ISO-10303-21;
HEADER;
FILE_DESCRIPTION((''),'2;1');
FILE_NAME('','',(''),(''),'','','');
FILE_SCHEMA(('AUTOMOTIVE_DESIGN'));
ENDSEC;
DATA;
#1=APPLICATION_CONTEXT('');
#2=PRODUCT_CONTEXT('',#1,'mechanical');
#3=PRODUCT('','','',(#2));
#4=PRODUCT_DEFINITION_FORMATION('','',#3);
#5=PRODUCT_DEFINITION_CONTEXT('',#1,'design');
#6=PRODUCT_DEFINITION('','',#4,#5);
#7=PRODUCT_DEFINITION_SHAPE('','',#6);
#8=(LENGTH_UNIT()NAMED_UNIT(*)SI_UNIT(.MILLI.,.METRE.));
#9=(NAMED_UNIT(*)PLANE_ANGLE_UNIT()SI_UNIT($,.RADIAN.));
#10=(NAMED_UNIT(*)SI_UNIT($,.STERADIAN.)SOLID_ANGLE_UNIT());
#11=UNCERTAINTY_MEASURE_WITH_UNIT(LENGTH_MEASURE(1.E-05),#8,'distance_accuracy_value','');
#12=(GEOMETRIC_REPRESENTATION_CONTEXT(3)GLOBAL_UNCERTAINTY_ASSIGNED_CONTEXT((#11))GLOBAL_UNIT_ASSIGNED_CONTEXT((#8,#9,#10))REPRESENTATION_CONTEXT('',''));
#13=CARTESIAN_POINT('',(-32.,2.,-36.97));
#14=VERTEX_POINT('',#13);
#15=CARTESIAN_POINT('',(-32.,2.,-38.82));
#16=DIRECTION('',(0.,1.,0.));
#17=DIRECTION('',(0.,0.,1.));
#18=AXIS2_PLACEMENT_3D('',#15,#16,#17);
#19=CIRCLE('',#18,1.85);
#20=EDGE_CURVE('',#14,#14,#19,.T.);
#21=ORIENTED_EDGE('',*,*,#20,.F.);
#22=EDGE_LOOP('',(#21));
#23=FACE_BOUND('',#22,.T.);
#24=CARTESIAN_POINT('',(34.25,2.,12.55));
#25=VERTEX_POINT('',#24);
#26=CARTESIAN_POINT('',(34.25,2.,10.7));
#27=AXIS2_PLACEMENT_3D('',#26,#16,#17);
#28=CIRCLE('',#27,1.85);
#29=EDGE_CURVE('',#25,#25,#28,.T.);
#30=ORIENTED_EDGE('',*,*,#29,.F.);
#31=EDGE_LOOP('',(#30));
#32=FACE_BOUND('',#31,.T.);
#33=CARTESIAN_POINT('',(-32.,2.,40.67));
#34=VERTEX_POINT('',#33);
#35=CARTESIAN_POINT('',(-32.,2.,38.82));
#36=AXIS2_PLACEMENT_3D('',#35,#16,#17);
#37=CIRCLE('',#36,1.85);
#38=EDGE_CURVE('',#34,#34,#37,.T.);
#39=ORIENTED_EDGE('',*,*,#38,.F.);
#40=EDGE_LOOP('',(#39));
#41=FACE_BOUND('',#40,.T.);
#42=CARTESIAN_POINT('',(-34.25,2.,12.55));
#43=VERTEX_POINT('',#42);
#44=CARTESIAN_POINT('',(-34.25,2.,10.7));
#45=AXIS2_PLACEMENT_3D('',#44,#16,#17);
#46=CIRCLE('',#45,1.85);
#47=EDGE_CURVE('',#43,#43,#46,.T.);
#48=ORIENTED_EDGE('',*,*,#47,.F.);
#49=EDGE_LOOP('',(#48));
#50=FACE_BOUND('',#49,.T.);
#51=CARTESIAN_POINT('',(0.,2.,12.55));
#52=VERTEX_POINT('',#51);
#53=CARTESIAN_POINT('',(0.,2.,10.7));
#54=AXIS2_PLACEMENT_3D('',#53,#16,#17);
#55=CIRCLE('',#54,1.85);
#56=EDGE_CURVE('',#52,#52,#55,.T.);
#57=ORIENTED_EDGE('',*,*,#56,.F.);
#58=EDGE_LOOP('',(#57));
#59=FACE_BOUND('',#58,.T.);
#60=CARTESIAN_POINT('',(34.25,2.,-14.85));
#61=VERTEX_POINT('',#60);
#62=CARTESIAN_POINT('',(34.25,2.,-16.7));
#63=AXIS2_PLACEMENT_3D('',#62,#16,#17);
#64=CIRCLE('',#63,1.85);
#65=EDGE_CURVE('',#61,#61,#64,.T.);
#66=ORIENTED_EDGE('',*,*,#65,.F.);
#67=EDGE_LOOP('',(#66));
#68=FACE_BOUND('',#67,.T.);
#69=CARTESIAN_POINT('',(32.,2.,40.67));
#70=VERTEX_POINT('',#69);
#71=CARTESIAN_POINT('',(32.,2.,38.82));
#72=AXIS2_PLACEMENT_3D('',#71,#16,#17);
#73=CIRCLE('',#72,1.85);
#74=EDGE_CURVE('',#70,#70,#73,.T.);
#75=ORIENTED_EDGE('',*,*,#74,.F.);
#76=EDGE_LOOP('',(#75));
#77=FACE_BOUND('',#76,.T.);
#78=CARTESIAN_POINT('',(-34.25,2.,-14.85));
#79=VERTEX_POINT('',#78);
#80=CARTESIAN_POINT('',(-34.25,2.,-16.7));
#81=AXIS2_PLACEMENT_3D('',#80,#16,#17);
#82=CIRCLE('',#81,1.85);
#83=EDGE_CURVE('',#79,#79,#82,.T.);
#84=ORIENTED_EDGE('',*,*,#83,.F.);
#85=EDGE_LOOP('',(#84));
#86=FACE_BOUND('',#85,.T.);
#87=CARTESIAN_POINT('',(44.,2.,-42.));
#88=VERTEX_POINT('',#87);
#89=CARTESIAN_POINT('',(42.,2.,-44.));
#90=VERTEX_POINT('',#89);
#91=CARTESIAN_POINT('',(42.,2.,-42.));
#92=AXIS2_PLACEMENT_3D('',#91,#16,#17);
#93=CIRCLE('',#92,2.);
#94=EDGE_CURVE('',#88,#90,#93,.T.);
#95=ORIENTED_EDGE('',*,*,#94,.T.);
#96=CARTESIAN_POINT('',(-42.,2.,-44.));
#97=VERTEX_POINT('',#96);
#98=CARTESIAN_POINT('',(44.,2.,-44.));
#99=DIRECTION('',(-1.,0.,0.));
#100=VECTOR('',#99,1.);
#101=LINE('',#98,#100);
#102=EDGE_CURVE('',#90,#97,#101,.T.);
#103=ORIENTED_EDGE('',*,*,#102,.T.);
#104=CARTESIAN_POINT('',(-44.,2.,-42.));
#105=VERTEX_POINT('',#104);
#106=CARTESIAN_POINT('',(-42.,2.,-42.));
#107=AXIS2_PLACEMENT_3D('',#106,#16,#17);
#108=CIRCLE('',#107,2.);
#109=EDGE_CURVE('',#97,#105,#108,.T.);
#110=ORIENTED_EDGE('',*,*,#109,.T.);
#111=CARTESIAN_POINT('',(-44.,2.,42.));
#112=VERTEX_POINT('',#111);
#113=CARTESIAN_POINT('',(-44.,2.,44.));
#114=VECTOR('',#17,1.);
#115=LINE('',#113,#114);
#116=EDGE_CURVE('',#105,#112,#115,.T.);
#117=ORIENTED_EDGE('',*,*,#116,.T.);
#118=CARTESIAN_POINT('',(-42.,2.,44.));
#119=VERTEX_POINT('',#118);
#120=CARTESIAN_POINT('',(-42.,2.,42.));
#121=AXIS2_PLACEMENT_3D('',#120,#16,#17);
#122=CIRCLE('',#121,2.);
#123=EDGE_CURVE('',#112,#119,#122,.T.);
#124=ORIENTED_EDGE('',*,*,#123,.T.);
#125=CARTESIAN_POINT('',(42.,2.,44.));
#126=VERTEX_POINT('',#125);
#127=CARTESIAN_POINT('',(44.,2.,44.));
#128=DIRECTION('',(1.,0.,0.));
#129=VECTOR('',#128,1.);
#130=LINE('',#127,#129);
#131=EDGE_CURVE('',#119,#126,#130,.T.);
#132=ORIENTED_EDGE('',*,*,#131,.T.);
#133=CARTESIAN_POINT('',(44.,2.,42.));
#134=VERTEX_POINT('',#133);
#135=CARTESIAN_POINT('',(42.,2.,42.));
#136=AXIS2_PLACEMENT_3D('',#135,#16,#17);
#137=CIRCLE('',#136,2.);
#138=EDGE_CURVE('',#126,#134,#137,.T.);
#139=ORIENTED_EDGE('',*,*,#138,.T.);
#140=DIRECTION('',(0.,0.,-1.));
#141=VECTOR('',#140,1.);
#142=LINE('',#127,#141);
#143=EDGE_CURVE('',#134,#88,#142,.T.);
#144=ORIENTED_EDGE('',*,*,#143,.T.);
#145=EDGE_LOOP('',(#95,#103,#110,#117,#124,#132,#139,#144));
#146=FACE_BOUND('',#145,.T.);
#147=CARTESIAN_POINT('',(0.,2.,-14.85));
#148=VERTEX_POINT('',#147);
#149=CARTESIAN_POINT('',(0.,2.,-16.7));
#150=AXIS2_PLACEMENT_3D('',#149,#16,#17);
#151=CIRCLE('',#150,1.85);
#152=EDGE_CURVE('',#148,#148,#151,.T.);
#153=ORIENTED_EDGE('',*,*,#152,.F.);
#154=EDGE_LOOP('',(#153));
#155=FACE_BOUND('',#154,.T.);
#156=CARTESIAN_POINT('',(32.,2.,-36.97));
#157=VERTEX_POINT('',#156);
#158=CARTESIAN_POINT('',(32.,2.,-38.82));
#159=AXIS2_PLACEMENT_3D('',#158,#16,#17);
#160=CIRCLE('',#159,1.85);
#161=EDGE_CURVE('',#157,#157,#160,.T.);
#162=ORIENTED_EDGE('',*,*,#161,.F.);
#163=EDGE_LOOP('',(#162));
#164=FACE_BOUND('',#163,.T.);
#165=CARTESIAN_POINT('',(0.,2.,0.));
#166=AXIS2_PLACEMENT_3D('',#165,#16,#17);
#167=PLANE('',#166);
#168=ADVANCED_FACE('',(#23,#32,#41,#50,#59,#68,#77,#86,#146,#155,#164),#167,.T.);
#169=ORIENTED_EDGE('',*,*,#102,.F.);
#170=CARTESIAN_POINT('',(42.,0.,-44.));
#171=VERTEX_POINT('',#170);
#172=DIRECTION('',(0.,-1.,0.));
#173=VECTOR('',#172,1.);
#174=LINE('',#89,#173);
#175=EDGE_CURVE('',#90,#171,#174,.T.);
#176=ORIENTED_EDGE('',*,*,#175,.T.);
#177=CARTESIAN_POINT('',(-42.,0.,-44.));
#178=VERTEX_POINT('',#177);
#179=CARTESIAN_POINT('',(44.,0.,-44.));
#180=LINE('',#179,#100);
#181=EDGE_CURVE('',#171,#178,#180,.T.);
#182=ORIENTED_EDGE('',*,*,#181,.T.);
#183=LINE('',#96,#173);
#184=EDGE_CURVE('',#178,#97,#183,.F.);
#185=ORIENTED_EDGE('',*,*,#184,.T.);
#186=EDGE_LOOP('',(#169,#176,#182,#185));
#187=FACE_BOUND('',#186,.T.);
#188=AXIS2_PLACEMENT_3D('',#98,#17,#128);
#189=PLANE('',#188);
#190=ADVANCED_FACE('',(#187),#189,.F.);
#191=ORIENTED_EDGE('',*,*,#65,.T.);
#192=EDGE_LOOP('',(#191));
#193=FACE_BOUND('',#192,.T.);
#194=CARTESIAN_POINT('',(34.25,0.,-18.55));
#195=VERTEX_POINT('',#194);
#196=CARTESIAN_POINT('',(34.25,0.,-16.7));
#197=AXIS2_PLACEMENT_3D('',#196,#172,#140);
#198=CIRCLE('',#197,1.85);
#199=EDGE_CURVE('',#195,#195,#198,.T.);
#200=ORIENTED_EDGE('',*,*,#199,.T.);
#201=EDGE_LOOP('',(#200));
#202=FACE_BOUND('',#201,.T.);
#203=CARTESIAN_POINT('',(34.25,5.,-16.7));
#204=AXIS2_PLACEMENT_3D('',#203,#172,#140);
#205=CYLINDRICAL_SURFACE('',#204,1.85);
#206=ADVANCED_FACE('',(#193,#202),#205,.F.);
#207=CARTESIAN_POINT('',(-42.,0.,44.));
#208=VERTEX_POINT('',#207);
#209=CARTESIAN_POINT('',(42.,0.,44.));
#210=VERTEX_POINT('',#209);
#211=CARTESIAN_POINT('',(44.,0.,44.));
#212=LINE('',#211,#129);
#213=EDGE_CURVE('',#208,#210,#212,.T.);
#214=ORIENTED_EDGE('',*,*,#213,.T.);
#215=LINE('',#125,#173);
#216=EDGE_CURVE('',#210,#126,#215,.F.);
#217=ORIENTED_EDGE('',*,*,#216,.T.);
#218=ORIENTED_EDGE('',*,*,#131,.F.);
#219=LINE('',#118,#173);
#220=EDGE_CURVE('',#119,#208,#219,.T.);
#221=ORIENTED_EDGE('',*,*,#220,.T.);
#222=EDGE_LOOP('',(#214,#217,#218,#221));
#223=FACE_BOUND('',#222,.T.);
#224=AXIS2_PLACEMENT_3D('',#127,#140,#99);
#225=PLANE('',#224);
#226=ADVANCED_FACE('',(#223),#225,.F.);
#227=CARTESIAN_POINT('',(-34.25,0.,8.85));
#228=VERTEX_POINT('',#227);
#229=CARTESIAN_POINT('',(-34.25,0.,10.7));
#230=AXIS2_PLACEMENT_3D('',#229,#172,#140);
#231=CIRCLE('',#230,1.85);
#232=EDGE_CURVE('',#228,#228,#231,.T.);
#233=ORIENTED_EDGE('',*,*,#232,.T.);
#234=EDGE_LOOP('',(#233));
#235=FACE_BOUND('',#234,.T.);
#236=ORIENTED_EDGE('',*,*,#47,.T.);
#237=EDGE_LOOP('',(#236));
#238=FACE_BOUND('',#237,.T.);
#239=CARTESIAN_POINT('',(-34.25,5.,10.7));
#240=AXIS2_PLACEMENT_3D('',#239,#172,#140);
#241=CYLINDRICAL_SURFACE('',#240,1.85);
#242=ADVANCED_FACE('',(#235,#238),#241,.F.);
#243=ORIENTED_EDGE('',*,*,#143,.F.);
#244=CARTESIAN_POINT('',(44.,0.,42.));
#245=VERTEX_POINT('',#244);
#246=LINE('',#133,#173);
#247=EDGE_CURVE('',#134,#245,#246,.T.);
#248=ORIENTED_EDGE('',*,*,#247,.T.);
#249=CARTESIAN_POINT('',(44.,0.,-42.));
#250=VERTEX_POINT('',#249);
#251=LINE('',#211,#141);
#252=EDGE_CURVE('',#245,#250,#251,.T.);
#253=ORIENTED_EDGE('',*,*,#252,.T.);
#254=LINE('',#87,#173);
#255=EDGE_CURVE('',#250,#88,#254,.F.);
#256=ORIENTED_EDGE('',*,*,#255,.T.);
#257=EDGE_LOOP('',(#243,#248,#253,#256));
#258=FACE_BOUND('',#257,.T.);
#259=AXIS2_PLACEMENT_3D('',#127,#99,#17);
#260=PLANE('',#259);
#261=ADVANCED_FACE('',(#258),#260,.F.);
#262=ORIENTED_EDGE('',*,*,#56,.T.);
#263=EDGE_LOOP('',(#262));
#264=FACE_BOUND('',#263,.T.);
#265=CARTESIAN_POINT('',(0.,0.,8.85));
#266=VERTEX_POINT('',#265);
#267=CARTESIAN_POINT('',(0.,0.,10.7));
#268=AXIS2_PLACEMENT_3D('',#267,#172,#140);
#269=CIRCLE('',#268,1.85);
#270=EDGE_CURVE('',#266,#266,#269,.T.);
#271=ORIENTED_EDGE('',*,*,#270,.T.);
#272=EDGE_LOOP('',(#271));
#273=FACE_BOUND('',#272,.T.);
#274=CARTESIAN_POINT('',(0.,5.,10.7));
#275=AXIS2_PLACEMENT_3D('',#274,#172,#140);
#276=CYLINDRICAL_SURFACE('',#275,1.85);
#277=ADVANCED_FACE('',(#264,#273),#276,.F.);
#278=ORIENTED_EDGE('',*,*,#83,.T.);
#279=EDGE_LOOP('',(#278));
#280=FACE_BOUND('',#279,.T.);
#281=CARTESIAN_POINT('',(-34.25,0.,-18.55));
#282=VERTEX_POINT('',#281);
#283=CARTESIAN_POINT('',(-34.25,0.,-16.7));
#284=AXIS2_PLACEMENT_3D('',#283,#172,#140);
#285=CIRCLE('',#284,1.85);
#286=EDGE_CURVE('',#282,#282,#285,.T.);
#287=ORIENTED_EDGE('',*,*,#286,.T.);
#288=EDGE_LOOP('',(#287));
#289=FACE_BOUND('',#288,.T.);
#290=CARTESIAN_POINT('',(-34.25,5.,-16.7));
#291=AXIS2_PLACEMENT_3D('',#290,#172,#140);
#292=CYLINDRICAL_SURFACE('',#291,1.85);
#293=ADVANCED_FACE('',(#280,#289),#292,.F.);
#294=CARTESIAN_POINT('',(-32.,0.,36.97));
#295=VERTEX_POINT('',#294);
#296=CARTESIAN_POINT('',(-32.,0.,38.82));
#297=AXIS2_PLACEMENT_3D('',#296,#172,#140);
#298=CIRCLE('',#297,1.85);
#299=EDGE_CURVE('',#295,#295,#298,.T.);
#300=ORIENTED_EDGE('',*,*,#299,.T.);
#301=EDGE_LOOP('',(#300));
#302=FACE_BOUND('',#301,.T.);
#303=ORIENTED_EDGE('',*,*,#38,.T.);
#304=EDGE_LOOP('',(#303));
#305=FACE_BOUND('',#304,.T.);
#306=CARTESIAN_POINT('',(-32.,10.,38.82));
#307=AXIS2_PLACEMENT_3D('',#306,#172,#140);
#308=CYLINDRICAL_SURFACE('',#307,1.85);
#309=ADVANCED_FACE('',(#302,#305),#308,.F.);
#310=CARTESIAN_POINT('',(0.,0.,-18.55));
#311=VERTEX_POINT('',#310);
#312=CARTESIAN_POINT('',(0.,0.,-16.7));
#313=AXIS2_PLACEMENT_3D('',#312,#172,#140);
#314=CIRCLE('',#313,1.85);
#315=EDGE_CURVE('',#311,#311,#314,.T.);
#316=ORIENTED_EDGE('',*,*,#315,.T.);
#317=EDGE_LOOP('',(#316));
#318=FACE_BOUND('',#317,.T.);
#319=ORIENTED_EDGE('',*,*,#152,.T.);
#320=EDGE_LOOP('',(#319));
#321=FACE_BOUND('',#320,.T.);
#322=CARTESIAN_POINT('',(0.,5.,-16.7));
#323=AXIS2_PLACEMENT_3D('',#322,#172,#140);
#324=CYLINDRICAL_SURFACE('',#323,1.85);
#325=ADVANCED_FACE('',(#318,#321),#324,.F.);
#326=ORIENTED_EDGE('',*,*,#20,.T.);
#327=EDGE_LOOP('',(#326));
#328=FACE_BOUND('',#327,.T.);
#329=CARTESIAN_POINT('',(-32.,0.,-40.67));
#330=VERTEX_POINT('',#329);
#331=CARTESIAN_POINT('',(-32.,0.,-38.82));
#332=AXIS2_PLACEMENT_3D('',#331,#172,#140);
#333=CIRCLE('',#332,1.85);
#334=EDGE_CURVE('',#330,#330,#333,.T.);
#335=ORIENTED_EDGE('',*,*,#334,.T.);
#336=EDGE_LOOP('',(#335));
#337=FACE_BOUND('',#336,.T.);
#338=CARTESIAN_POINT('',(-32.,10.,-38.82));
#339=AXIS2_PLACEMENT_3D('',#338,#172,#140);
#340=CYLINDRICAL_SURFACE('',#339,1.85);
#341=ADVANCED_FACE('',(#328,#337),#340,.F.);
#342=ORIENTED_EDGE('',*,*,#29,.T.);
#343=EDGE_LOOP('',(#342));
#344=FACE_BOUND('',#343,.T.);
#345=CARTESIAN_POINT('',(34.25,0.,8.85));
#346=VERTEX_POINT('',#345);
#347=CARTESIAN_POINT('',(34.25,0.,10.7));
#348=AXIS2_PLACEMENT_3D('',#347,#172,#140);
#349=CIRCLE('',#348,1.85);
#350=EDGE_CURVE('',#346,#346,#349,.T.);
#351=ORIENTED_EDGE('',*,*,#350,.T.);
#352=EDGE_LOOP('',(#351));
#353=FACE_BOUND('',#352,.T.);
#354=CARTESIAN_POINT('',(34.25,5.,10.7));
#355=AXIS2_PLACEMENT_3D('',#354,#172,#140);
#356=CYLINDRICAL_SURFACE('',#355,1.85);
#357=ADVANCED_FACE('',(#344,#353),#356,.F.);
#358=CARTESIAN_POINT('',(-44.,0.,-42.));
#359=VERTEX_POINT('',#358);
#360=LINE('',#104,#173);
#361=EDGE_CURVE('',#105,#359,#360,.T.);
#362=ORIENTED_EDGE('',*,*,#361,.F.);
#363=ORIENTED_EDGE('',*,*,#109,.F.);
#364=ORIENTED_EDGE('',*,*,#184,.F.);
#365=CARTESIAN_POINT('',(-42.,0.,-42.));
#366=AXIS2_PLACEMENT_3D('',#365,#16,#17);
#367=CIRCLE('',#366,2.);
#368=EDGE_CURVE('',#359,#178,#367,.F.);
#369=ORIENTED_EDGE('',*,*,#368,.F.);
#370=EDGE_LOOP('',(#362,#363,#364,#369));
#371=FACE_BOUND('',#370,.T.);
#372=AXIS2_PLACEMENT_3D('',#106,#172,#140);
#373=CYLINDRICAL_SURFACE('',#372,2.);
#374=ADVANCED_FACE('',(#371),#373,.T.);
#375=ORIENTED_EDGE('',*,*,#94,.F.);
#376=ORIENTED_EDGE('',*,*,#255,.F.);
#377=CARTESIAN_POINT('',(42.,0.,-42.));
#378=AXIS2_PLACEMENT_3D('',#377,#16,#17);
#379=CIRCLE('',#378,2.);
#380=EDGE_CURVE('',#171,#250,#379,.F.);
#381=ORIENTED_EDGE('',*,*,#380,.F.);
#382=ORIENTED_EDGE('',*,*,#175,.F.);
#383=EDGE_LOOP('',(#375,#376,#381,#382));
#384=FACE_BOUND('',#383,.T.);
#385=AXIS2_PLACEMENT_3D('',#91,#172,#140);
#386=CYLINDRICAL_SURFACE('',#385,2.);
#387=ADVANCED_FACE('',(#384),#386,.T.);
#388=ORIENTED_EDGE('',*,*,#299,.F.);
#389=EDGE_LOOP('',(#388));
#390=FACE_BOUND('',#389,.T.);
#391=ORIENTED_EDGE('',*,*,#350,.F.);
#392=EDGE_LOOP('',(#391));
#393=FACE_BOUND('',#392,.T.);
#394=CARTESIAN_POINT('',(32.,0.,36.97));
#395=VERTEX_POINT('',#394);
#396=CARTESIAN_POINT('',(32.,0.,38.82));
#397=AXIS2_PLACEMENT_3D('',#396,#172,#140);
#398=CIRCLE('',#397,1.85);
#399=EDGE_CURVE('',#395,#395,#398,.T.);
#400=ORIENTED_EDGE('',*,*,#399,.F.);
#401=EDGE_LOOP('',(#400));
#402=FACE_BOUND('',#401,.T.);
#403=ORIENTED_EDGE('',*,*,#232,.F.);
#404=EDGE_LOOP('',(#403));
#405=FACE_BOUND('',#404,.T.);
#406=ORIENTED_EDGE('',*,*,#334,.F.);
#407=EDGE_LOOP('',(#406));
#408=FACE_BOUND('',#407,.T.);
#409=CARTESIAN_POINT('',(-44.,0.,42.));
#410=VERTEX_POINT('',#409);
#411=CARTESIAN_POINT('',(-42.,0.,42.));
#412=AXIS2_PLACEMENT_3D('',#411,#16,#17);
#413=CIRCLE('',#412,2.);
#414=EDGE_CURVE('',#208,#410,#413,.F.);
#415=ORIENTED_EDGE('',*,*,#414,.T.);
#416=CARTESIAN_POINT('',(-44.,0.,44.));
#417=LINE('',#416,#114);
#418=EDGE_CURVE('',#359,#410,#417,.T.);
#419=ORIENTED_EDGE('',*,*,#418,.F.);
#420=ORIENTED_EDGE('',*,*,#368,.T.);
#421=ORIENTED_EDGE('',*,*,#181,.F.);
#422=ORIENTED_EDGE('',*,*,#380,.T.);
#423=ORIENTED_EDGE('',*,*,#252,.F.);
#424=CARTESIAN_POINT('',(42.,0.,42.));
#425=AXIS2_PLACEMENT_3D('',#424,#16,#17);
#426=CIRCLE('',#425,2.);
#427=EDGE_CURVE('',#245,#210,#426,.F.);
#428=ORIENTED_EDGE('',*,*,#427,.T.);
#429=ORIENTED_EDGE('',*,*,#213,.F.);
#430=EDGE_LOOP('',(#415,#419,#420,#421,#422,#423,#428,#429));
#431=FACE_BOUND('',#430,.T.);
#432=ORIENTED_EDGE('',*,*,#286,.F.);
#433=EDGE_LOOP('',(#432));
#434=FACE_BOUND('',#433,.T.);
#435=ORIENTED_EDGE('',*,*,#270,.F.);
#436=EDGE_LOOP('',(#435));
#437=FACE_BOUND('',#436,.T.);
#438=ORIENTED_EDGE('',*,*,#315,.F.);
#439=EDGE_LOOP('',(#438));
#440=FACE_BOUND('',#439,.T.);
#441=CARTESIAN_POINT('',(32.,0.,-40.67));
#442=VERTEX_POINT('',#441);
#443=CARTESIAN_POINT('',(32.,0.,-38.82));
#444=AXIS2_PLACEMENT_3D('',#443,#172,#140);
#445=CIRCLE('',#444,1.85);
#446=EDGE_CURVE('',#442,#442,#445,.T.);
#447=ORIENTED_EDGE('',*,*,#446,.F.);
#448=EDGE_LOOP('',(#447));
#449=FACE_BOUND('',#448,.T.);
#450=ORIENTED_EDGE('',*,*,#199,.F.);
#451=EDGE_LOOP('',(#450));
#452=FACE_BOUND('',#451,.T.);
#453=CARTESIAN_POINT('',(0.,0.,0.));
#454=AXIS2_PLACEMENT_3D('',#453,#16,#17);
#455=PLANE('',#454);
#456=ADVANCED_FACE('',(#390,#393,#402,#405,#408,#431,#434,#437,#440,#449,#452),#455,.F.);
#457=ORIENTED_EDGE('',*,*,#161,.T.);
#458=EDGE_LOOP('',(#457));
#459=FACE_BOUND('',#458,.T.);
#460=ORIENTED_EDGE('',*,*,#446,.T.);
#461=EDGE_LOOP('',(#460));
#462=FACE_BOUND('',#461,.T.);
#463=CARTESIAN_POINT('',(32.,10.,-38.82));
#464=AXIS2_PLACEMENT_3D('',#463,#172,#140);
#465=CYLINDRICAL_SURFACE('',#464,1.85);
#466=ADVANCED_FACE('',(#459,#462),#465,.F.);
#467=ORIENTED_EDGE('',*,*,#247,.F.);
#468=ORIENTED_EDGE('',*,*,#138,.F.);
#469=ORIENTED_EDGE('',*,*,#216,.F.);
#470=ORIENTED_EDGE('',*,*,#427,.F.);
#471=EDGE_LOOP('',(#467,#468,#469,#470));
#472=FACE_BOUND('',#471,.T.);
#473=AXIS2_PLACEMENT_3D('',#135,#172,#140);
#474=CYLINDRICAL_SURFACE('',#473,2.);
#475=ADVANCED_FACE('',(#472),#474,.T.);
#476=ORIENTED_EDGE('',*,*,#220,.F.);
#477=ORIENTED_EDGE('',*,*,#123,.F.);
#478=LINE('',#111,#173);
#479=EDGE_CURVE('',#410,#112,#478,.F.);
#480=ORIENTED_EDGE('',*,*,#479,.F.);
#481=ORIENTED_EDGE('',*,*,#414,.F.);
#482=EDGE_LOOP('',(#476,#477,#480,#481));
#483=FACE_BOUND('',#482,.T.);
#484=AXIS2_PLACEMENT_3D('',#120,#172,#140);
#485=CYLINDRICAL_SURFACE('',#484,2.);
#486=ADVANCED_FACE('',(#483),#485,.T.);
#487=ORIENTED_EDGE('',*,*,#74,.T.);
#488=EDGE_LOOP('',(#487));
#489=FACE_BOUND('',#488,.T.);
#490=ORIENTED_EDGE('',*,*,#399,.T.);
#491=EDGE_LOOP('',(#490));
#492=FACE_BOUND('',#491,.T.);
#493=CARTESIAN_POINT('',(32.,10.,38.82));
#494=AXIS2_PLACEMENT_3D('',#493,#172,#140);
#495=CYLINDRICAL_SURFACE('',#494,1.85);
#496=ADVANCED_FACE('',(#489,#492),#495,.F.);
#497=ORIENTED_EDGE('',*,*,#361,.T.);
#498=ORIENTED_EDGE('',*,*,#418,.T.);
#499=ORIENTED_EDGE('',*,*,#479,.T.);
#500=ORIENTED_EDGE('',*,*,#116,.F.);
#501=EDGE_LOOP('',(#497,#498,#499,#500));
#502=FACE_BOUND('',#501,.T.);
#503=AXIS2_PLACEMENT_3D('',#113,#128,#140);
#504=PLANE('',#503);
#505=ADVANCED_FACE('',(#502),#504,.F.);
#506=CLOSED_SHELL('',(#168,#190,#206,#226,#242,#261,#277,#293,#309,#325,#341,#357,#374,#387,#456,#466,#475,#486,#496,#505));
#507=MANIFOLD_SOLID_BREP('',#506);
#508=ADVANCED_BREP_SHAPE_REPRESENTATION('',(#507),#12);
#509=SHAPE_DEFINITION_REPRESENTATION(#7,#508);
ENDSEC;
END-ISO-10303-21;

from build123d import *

# Parameters (mm, degrees)
SKETCH1_W           = 88
SKETCH1_H           = 88
BOSS_EXTRUDE1_DEPTH = 2
FILLET1_R           = 2
SKETCH2_R           = 1.85
CUT_EXTRUDE1_DEPTH  = 10
SKETCH3_R           = 1.85
CUT_EXTRUDE2_DEPTH  = 5


with BuildPart() as part:
    # Sketch1 → Boss-Extrude1 (new body)
    with BuildSketch(Plane(origin=(0, 0, 0), x_dir=(1, 0, 0), z_dir=(0, 1, 0))):
        Rectangle(SKETCH1_W, SKETCH1_H)
    extrude(amount=BOSS_EXTRUDE1_DEPTH)

    # Fillet1
    fillet1_edges = [part.edges().sort_by_distance(p)[0] for p in [
        (-44, 1, -44),
        (44, 1, -44),
        (44, 1, 44),
        (-44, 1, 44),
    ]]
    fillet(fillet1_edges, radius=FILLET1_R)

    # Sketch2 → Cut-Extrude1 (cut)
    with BuildSketch(Plane.XZ):
        with Locations(Location((-32, 38.82, 0), (0, 0, 270))):
            Circle(SKETCH2_R)
        with Locations(Location((32, 38.82, 0), (0, 0, 270))):
            Circle(SKETCH2_R)
        with Locations(Location((32, -38.82, 0), (0, 0, 270))):
            Circle(SKETCH2_R)
        with Locations(Location((-32, -38.82, 0), (0, 0, 270))):
            Circle(SKETCH2_R)
    extrude(amount=-CUT_EXTRUDE1_DEPTH, mode=Mode.SUBTRACT)

    # Sketch3 → Cut-Extrude2 (cut)
    with BuildSketch(Plane.XZ):
        with Locations(Location((-34.25, 10.7, 0), (0, 0, 270))):
            Circle(SKETCH3_R)
        with Locations(Location((0, 10.7, 0), (0, 0, 270))):
            Circle(SKETCH3_R)
        with Locations(Location((34.25, 10.7, 0), (0, 0, 270))):
            Circle(SKETCH3_R)
        with Locations(Location((34.25, -16.7, 0), (0, 0, 270))):
            Circle(SKETCH3_R)
        with Locations(Location((0, -16.7, 0), (0, 0, 270))):
            Circle(SKETCH3_R)
        with Locations(Location((-34.25, -16.7, 0), (0, 0, 270))):
            Circle(SKETCH3_R)
    extrude(amount=-CUT_EXTRUDE2_DEPTH, mode=Mode.SUBTRACT)


solid = part.part
